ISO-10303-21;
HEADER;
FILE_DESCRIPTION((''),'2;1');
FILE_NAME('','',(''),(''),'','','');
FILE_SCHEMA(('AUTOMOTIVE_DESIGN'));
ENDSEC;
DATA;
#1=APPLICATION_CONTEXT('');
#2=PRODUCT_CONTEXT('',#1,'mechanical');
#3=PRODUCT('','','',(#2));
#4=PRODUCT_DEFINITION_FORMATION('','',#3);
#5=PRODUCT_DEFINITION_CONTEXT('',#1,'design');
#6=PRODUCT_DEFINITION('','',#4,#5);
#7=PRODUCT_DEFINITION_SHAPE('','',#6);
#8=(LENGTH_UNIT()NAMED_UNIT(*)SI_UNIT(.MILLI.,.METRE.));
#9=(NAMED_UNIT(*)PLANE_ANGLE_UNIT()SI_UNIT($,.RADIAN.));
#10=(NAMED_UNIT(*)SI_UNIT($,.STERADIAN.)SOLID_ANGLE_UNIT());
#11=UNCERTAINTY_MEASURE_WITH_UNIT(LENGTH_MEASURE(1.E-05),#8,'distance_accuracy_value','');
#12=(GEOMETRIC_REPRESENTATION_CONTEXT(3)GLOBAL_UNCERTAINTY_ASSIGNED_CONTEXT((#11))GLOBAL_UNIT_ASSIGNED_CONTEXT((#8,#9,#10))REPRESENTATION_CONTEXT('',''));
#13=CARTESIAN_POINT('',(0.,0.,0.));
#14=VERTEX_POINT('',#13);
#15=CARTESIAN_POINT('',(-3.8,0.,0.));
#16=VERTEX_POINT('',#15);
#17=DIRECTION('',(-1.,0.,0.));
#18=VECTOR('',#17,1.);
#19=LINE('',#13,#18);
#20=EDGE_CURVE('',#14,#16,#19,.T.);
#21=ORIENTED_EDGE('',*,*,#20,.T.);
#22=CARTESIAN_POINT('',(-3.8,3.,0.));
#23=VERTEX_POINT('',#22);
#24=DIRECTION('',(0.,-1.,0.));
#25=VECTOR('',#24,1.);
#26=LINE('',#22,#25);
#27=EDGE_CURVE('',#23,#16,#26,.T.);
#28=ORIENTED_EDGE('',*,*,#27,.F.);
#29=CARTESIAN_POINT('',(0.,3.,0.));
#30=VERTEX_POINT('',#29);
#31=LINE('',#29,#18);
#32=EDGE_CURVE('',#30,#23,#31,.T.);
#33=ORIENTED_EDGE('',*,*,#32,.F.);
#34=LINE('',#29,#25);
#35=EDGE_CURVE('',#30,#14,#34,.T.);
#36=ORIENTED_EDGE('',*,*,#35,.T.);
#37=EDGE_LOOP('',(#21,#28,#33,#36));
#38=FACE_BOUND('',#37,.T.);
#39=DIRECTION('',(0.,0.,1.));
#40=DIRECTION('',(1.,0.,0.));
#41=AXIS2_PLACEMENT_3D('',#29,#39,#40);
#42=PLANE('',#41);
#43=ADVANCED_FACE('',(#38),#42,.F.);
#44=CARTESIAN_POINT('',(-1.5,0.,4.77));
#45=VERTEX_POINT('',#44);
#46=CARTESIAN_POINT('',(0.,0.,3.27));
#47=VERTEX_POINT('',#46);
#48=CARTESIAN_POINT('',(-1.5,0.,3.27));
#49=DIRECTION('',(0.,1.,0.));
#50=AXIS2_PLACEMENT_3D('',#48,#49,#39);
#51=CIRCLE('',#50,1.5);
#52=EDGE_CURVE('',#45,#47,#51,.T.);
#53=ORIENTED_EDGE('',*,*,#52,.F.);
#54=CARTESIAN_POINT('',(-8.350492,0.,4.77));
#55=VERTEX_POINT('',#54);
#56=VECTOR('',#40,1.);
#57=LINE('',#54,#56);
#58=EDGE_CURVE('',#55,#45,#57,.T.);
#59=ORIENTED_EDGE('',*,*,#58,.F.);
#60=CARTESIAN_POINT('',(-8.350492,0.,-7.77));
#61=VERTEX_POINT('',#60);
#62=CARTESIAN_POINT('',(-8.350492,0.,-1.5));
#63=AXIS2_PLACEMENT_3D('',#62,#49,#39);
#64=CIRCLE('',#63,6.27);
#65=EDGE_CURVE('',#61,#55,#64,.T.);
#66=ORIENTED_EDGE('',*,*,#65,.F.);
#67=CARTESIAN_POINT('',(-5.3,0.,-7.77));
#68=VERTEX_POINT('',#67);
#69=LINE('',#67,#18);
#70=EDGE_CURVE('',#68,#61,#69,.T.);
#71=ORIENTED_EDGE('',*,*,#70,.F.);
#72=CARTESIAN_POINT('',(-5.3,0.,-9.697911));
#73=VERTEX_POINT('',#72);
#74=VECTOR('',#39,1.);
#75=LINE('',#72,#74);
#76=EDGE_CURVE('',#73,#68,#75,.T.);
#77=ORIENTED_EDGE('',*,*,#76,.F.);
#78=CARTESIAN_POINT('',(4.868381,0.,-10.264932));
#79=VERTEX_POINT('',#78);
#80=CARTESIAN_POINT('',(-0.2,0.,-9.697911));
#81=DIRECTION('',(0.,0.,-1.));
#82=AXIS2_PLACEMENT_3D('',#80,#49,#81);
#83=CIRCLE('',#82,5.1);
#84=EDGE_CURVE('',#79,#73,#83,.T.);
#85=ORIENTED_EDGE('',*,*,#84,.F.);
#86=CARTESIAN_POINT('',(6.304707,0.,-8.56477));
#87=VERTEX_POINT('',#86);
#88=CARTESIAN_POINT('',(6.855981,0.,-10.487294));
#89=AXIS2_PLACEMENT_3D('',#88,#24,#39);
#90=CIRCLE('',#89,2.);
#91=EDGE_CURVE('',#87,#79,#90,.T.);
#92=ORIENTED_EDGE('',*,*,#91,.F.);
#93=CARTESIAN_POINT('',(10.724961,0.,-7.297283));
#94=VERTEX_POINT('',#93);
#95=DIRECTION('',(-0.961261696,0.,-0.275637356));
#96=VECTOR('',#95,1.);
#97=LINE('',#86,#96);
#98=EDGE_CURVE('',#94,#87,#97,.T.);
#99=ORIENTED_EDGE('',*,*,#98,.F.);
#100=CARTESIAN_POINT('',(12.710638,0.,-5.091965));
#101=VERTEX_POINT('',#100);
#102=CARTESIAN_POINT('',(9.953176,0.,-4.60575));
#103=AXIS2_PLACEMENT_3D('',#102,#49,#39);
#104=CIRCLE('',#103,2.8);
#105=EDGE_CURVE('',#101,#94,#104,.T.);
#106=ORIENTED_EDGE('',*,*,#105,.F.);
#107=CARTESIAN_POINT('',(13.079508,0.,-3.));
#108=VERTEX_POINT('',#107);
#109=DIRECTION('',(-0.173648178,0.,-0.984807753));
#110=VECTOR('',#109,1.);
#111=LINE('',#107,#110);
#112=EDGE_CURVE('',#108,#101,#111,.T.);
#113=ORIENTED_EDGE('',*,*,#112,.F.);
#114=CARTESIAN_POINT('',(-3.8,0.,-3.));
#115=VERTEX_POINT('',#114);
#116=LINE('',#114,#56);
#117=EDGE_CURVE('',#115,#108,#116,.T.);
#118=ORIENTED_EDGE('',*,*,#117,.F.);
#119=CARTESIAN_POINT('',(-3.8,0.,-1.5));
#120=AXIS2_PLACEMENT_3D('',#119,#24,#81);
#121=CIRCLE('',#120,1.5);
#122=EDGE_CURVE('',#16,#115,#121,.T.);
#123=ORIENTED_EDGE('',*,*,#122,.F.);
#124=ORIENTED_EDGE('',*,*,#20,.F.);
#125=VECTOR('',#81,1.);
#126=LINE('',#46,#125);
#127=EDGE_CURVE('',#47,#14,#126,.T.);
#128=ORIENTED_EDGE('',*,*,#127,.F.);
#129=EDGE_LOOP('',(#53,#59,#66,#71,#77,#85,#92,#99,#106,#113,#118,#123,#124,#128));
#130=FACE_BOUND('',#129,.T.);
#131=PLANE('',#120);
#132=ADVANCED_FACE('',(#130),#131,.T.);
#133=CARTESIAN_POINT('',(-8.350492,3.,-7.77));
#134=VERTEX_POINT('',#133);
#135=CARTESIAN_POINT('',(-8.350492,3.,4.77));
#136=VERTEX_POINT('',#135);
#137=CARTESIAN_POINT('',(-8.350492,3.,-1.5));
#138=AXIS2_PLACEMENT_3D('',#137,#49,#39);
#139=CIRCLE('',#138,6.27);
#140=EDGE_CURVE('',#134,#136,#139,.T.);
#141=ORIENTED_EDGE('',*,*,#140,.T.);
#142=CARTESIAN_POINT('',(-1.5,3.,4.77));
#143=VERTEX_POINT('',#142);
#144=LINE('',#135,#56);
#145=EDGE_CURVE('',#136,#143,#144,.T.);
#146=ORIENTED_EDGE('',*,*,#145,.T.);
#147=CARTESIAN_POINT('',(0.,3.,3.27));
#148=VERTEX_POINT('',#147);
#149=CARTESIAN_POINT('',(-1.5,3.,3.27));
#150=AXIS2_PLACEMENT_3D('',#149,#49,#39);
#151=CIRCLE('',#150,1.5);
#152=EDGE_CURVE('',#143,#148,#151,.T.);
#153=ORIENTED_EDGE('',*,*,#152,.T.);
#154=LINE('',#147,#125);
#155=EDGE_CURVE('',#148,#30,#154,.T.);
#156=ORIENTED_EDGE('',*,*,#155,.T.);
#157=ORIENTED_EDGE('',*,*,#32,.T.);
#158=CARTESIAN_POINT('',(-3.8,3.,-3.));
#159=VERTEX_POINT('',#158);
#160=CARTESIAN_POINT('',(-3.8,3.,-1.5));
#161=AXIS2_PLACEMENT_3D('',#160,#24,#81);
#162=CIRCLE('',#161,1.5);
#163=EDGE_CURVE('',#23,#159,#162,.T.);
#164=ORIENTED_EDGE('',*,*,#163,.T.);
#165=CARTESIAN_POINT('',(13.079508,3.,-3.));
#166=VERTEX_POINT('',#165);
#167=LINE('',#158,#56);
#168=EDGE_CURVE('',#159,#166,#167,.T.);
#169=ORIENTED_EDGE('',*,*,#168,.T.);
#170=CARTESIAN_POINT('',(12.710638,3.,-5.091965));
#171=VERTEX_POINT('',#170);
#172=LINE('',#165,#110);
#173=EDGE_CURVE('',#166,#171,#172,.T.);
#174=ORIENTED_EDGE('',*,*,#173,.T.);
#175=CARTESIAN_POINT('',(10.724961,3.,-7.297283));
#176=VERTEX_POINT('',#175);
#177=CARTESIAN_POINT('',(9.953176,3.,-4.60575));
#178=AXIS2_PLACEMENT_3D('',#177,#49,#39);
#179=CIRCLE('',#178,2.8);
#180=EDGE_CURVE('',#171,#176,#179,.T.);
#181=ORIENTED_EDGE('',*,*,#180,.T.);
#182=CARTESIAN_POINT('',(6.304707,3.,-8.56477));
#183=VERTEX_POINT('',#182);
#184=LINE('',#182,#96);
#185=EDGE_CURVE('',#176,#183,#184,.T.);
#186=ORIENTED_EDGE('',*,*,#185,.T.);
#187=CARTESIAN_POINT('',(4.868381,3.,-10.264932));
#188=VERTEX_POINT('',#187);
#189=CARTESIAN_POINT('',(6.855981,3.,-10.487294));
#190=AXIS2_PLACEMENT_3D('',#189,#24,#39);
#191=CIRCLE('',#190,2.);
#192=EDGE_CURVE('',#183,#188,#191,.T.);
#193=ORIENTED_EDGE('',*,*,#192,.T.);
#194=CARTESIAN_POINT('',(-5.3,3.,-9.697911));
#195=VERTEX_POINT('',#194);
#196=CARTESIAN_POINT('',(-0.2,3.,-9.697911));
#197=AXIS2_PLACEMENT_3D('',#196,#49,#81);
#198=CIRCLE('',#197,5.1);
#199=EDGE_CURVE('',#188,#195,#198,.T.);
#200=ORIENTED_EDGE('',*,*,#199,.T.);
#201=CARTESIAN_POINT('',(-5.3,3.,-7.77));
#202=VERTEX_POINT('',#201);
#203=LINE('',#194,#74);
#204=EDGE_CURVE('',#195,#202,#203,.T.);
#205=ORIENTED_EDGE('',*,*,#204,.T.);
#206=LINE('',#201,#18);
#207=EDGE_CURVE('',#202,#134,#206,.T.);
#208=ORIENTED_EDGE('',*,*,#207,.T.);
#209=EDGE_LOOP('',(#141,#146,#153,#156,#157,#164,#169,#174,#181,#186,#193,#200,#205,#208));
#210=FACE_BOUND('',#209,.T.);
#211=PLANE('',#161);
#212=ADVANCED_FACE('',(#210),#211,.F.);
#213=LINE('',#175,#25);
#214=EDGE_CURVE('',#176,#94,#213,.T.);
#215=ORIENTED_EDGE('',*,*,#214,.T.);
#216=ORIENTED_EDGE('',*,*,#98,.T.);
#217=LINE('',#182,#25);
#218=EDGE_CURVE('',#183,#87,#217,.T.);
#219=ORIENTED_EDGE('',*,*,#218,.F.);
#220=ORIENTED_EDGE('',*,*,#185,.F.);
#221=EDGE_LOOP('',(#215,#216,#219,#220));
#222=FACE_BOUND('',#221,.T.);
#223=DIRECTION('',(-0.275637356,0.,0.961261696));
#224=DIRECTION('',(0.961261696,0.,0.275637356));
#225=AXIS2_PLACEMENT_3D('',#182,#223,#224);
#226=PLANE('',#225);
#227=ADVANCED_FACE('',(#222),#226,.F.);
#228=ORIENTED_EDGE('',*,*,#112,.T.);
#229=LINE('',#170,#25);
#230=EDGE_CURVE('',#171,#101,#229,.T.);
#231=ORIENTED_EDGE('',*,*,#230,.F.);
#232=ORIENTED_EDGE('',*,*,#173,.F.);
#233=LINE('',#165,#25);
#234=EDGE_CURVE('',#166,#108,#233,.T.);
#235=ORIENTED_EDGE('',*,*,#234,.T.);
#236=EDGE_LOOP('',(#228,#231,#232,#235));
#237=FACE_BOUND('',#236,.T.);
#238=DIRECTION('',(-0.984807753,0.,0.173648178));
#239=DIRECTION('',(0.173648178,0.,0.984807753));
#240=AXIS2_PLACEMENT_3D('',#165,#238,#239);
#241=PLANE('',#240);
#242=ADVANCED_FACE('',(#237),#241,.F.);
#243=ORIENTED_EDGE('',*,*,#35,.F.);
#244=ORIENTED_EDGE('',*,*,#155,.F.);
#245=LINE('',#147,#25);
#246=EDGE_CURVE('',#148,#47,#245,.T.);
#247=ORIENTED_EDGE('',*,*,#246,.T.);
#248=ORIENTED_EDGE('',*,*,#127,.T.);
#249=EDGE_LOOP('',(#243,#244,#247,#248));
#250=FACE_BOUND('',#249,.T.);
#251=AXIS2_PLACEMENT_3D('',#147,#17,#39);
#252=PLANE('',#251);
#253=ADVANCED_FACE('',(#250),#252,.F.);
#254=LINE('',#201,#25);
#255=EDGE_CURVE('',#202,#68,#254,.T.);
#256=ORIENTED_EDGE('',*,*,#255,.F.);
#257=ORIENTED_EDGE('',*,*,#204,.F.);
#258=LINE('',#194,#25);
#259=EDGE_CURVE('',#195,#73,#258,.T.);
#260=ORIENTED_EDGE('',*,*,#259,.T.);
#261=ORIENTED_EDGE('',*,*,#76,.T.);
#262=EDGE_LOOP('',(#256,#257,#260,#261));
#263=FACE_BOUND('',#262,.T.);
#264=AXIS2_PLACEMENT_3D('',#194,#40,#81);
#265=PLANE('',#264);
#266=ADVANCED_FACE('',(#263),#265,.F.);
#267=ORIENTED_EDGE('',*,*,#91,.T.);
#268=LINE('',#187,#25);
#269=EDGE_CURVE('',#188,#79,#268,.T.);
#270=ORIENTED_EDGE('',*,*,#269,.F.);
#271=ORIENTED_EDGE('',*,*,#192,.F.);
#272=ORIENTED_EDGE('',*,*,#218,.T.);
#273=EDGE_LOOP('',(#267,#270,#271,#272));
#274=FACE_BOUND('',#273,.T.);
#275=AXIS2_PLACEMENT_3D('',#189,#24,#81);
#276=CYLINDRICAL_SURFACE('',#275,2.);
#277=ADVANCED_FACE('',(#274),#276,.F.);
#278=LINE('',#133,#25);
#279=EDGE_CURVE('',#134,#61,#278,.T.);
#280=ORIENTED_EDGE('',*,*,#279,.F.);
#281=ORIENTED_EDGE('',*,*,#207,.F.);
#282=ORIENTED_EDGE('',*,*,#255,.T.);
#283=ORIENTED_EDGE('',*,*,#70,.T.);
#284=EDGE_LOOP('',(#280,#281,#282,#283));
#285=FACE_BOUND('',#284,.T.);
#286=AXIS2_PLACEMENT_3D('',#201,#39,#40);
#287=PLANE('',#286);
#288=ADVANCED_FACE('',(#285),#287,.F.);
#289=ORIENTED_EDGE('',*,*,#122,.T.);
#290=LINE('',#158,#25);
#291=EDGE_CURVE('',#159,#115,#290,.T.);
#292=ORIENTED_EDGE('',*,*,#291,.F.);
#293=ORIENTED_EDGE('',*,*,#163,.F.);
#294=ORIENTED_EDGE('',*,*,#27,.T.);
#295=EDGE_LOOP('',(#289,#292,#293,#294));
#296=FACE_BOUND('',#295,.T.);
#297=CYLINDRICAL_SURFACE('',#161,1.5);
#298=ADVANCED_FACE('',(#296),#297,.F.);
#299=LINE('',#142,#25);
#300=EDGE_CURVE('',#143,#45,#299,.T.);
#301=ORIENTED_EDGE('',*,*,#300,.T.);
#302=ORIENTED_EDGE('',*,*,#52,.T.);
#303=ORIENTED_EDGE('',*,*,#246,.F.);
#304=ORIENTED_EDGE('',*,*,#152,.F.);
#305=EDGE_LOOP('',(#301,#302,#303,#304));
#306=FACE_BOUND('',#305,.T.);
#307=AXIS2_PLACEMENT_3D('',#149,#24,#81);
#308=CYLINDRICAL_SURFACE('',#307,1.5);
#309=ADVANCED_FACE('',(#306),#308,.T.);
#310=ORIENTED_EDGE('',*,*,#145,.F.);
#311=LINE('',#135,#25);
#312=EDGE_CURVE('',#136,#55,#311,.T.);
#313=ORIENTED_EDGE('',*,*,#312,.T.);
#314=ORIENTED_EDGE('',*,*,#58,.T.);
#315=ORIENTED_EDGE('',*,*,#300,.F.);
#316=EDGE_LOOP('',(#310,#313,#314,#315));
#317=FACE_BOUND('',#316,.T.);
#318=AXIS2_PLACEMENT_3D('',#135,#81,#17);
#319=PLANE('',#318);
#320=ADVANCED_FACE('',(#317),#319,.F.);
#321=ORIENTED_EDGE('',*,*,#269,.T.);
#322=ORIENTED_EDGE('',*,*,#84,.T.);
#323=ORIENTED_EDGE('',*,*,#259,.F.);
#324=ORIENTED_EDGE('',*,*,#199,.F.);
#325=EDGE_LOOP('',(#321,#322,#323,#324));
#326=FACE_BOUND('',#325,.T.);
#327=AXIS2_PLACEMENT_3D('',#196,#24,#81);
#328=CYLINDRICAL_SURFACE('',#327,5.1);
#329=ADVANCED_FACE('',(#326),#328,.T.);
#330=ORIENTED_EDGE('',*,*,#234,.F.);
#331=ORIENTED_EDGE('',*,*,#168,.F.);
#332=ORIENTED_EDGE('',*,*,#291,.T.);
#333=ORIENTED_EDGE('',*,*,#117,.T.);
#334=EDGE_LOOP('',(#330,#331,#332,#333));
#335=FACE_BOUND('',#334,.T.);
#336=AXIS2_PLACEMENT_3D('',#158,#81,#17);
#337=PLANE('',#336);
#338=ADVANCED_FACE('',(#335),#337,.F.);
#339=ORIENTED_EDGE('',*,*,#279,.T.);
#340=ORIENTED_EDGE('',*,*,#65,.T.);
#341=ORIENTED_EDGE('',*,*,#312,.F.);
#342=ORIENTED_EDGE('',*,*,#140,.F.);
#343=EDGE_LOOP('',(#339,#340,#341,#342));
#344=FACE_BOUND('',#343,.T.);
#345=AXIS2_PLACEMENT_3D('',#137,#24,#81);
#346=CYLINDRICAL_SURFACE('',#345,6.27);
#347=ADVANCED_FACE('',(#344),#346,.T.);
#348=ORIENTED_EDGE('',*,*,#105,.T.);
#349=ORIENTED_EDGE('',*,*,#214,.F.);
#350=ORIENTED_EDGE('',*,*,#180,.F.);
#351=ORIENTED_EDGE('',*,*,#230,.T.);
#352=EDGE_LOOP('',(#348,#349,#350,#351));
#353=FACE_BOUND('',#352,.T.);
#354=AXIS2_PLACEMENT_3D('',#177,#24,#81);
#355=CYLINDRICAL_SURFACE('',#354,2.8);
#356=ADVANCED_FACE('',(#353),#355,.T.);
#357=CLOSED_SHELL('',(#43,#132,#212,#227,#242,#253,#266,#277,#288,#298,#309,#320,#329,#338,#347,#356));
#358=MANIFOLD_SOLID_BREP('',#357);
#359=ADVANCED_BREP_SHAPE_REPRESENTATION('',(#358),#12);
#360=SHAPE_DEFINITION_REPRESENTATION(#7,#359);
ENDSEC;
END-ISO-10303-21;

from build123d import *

# Parameters (mm, degrees)
BOSS_EXTRUDE2_DEPTH = 3


with BuildPart() as part:
    # Sketch1 → Boss-Extrude2 (new body)
    with BuildSketch(Plane(origin=(0, 0, 0), x_dir=(1, 0, 0), z_dir=(0, 1, 0))):
        with BuildLine():
            Line((0, 0), (-3.8, 0))
            ThreePointArc((-3.8, 0), (-5.3, 1.5), (-3.8, 3))
            Line((-3.8, 3), (13.079508049, 3))
            Line((13.079508049, 3), (12.710638186, 5.091964944))
            ThreePointArc((12.710638186, 5.091964944), (12.033981989, 6.479315744), (10.724961074, 7.297282795))
            Line((10.724961074, 7.297282795), (6.304706774, 8.56477032))
            ThreePointArc((6.304706774, 8.56477032), (5.328202228, 9.196599891), (4.868381067, 10.264932347))
            ThreePointArc((4.868381067, 10.264932347), (-0.48395119, 14.79), (-5.3, 9.697910869))
            Line((-5.3, 9.697910869), (-5.3, 7.77))
            Line((-5.3, 7.77), (-8.350491951, 7.77))
            ThreePointArc((-8.350491951, 7.77), (-14.620491951, 1.5), (-8.350491951, -4.77))
            Line((-8.350491951, -4.77), (-1.5, -4.77))
            ThreePointArc((-1.5, -4.77), (-0.439339828, -4.330660172), (0, -3.27))
            Line((0, -3.27), (0, 0))
        make_face()
    extrude(amount=BOSS_EXTRUDE2_DEPTH)


solid = part.part
